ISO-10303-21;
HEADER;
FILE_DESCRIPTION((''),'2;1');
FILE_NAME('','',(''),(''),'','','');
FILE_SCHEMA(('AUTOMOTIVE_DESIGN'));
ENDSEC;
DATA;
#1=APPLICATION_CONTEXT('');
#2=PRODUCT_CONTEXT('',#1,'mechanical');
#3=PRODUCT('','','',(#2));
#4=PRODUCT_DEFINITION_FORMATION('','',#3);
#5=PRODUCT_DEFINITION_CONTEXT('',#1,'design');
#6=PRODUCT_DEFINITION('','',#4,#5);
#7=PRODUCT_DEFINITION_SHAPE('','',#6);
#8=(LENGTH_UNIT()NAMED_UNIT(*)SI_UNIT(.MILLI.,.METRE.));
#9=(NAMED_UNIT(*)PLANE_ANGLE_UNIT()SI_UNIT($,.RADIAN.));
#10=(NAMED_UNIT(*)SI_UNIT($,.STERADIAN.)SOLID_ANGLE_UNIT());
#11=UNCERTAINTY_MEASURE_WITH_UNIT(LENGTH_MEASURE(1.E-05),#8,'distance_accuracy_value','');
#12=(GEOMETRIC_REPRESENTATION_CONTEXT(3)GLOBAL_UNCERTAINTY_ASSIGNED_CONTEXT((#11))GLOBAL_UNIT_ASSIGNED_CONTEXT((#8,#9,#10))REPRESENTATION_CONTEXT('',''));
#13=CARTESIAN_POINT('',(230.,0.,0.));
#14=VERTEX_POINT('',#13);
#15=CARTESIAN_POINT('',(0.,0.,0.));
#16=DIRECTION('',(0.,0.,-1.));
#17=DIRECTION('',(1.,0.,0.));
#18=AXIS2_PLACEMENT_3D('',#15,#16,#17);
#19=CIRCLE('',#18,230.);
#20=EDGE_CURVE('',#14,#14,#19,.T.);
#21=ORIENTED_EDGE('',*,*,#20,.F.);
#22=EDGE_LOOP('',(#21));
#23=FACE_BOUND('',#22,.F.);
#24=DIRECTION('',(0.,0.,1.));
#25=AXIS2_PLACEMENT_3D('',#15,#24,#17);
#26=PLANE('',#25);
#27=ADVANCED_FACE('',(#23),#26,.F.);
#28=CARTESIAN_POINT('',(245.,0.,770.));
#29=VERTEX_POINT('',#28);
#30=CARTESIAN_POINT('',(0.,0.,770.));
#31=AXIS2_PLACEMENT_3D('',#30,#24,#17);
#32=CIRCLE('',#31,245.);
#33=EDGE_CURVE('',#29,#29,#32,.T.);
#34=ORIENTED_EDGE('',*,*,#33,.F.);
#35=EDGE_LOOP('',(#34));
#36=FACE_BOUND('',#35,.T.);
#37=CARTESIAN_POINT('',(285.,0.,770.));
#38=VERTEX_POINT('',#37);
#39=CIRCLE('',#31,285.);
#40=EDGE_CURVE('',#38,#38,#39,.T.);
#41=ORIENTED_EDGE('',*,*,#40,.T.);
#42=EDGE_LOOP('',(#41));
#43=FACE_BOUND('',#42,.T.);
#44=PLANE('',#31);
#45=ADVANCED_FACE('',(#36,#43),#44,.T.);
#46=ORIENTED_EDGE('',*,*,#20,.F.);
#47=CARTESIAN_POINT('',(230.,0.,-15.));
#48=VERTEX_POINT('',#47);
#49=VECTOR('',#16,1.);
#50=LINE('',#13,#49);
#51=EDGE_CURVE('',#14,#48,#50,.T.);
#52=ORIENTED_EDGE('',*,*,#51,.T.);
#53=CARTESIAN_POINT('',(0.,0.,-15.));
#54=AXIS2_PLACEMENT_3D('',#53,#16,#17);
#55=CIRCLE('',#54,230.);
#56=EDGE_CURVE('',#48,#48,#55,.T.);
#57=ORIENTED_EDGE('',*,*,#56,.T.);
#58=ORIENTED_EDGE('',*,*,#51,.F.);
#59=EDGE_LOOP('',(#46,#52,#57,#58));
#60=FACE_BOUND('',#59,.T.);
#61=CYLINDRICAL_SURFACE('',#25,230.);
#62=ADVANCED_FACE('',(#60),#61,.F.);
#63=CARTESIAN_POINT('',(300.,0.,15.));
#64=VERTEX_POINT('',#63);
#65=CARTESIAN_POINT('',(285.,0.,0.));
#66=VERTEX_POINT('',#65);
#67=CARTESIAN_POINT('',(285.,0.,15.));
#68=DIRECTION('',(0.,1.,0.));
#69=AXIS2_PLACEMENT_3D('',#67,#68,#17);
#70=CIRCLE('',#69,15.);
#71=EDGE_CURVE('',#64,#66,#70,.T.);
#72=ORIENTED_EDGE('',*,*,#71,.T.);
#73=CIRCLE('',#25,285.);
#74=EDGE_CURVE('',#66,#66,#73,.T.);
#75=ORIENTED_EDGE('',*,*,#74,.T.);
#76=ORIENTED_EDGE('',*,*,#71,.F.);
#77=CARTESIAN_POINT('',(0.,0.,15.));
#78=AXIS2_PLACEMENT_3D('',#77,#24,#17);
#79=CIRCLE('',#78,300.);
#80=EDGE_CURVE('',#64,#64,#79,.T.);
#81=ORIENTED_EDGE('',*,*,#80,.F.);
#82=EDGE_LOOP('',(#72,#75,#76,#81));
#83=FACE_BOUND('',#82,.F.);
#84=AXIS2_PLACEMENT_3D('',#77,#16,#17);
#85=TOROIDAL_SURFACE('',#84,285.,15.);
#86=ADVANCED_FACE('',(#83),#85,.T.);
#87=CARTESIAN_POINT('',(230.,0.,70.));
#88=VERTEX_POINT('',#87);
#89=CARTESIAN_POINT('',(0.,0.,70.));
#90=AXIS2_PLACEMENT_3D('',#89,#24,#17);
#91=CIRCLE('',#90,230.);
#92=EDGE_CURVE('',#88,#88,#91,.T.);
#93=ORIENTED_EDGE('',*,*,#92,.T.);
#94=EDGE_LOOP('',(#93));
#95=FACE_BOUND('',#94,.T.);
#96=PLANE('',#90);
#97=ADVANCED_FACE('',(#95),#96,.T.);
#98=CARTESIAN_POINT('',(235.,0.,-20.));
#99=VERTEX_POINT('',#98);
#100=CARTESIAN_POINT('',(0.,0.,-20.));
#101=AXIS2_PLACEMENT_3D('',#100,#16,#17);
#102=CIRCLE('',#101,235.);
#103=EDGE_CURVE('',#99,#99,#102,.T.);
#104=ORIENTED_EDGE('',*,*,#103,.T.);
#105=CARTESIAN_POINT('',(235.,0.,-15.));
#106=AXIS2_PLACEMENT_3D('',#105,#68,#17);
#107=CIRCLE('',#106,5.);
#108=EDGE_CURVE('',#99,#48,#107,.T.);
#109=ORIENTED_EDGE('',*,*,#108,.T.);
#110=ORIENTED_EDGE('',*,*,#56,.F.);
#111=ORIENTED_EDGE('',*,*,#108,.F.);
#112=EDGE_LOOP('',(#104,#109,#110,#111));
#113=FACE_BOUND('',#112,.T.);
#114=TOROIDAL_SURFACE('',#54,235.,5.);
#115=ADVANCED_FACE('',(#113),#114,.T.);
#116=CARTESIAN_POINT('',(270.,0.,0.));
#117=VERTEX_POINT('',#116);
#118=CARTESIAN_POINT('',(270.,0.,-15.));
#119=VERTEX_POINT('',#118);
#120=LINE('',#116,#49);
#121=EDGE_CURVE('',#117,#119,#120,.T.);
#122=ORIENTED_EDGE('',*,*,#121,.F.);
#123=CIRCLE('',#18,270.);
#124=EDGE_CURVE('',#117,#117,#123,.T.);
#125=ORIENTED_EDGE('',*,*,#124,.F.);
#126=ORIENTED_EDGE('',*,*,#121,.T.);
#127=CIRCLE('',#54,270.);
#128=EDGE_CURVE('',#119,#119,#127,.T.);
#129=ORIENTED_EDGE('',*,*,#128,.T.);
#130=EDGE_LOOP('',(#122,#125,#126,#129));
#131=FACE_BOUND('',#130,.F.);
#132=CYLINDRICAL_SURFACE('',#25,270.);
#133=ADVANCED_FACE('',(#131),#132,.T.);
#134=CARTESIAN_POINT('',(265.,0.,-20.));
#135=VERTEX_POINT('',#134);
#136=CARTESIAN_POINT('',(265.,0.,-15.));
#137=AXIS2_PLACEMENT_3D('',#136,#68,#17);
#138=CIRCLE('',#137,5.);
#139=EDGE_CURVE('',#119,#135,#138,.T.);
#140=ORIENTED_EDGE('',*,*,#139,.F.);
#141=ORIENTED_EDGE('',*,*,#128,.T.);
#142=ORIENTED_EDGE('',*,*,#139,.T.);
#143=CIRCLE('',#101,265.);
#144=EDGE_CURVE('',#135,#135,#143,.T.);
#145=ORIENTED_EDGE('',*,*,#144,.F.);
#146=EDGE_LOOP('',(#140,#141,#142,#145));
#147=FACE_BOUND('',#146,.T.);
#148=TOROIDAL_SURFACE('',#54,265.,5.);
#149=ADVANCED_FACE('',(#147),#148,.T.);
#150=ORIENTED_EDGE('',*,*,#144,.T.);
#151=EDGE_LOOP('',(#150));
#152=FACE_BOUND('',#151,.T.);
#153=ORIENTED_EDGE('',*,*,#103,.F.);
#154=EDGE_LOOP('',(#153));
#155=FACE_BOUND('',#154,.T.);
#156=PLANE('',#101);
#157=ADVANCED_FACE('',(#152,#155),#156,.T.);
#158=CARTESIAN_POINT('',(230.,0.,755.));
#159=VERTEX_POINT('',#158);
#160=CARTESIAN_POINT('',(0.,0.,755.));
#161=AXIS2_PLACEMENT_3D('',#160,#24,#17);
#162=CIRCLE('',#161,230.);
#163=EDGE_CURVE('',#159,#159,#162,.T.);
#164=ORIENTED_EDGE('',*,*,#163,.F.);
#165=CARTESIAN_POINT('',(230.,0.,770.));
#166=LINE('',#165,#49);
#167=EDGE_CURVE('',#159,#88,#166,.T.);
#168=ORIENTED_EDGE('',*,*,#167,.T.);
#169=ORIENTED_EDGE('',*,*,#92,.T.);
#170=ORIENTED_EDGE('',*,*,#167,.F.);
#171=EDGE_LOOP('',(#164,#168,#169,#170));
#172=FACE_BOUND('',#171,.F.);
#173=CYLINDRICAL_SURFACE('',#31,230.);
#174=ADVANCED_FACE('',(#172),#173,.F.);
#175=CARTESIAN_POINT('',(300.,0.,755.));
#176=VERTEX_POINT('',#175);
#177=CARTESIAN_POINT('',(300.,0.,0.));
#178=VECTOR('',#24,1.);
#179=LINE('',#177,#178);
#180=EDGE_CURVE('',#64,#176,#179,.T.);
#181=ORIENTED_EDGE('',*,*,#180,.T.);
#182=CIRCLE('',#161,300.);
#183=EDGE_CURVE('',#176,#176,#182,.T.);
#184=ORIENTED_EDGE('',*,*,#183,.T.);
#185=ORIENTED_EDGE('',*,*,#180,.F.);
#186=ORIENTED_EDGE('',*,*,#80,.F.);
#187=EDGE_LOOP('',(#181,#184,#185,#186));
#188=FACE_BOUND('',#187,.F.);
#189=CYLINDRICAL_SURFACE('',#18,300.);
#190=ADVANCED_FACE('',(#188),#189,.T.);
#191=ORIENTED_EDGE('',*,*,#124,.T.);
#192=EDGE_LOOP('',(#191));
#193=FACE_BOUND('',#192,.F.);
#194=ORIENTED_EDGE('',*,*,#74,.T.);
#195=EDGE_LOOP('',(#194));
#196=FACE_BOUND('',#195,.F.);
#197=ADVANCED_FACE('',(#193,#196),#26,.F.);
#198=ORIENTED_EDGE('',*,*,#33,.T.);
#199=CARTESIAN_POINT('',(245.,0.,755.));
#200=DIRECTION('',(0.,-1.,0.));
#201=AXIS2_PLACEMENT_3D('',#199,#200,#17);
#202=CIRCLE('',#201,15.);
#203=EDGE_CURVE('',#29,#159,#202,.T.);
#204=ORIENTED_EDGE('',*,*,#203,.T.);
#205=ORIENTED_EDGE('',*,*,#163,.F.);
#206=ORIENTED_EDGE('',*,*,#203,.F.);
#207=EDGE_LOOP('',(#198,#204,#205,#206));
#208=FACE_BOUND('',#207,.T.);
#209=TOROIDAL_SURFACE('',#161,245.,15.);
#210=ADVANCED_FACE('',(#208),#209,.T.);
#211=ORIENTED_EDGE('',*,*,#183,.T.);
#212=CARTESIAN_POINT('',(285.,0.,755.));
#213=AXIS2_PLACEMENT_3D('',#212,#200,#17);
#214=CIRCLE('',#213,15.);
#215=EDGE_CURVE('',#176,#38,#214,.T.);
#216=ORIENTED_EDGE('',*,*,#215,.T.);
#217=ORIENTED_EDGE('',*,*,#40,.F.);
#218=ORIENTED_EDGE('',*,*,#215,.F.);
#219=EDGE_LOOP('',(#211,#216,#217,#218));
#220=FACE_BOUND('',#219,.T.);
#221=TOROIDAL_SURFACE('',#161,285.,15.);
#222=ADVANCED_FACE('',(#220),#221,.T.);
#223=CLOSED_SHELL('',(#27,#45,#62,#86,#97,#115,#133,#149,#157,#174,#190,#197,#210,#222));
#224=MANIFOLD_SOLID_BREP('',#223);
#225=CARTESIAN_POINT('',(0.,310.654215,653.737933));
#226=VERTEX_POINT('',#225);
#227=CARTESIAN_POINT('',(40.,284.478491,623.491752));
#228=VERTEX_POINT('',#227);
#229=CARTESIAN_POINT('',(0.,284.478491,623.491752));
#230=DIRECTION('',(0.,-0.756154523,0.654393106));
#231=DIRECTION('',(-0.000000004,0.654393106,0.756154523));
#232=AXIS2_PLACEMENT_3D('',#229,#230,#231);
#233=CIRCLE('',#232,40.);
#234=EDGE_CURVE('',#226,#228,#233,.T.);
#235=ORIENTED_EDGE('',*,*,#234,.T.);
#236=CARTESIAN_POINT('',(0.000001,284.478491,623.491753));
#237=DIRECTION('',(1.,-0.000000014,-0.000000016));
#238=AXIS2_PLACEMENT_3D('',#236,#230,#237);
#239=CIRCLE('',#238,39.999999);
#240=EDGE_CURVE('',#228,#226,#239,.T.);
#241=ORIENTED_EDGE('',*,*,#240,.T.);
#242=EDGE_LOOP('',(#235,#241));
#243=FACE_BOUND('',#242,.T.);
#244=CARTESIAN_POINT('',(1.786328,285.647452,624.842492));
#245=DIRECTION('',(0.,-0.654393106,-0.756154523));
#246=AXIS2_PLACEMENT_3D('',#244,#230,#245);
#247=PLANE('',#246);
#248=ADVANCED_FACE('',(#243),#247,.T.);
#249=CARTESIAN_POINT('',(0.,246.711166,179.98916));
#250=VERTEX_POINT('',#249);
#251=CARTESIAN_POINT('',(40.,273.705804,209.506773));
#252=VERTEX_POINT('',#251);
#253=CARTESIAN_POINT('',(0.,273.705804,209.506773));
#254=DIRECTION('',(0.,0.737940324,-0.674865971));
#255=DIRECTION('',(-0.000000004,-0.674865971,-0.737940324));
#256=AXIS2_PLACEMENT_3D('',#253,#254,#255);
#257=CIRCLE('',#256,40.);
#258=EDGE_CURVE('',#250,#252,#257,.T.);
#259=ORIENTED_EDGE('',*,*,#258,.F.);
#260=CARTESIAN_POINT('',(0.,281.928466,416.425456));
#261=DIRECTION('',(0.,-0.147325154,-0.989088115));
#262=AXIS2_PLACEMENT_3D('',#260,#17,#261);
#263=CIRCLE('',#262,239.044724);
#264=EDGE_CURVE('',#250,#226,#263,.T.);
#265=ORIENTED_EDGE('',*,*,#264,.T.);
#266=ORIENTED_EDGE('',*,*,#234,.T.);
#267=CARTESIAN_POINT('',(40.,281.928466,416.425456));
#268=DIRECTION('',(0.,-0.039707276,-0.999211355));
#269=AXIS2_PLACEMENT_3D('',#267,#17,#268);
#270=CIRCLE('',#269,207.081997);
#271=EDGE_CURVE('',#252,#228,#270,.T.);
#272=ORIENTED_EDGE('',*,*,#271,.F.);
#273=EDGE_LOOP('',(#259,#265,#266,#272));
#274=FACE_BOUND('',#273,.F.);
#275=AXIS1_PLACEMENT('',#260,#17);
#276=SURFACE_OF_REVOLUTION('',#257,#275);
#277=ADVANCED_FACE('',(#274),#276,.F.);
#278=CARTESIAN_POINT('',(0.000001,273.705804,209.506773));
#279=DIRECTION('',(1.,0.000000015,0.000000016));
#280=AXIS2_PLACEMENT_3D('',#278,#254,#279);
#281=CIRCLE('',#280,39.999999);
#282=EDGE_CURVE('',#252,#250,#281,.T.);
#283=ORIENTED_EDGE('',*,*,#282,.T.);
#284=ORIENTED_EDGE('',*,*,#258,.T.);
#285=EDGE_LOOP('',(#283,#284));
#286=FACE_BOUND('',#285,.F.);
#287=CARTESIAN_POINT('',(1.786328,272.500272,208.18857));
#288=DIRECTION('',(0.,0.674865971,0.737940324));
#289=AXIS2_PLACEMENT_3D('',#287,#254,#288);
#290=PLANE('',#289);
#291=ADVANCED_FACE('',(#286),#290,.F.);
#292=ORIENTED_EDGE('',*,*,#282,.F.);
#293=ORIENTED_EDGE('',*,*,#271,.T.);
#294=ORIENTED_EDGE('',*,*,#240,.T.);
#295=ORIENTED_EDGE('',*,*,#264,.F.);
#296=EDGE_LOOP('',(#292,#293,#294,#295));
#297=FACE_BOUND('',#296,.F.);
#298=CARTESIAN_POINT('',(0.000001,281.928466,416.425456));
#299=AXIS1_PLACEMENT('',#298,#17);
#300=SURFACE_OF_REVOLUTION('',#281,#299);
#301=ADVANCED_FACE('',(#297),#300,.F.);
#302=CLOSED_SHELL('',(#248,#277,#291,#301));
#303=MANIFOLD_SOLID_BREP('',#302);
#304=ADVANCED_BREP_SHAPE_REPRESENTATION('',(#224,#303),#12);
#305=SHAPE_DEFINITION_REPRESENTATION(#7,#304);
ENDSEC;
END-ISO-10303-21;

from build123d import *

# Parameters (mm, degrees)
F0_R     = 300
F1_DEPTH = 770
F2_R     = 230
F3_DEPTH = 700
F4_R     = 15
F5_R     = 270
F5_R_2   = 230
F6_DEPTH = 20
F7_R     = 5


with BuildPart() as f1:
    # F0 (on Top) → F1 (new body)
    with BuildSketch(Plane.XY):
        Circle(F0_R)
    extrude(amount=F1_DEPTH)

    # F2 (on face) → F3 (cut)
    with BuildSketch(Plane.XY.offset(770)):
        Circle(F2_R)
    extrude(amount=-F3_DEPTH, mode=Mode.SUBTRACT)

    # F4
    f4_edges = [f1.edges().sort_by_distance(p)[0] for p in [
        (-300, 0, 770),
        (-230, 0, 770),
        (-300, 0, 0),
    ]]
    fillet(f4_edges, radius=F4_R)

    # F5 (on face) → F6 (join)
    with BuildSketch(Plane(origin=(0, 0, 0), x_dir=(1, 0, 0), z_dir=(0, 0, -1))):
        Circle(F5_R)
        Circle(F5_R_2, mode=Mode.SUBTRACT)
    extrude(amount=F6_DEPTH)

    # F7
    f7_edges = [f1.edges().sort_by_distance(p)[0] for p in [
        (-270, 0, -20),
        (-230, 0, -20),
    ]]
    fillet(f7_edges, radius=F7_R)


with BuildPart() as f12:
    # F12: sweep along a path in F11
    with BuildLine(Plane.YZ) as f12_path:
        ThreePointArc((280.041266, 216.43436), (481.926647, 417.278558), (278.335223, 616.393175))
    # F10 (on offset) → F12 (sweep)
    with BuildSketch(Plane.XY.offset(550)):
        with BuildLine():
            ThreePointArc((0, 480.171301), (-28.284271, 411.88703), (40, 440.171301))
            ThreePointArc((40, 440.171301), (28.284271, 468.455573), (0, 480.171301))
        make_face()
    sweep(path=f12_path.line)


solid = Compound([f1.part, f12.part])
